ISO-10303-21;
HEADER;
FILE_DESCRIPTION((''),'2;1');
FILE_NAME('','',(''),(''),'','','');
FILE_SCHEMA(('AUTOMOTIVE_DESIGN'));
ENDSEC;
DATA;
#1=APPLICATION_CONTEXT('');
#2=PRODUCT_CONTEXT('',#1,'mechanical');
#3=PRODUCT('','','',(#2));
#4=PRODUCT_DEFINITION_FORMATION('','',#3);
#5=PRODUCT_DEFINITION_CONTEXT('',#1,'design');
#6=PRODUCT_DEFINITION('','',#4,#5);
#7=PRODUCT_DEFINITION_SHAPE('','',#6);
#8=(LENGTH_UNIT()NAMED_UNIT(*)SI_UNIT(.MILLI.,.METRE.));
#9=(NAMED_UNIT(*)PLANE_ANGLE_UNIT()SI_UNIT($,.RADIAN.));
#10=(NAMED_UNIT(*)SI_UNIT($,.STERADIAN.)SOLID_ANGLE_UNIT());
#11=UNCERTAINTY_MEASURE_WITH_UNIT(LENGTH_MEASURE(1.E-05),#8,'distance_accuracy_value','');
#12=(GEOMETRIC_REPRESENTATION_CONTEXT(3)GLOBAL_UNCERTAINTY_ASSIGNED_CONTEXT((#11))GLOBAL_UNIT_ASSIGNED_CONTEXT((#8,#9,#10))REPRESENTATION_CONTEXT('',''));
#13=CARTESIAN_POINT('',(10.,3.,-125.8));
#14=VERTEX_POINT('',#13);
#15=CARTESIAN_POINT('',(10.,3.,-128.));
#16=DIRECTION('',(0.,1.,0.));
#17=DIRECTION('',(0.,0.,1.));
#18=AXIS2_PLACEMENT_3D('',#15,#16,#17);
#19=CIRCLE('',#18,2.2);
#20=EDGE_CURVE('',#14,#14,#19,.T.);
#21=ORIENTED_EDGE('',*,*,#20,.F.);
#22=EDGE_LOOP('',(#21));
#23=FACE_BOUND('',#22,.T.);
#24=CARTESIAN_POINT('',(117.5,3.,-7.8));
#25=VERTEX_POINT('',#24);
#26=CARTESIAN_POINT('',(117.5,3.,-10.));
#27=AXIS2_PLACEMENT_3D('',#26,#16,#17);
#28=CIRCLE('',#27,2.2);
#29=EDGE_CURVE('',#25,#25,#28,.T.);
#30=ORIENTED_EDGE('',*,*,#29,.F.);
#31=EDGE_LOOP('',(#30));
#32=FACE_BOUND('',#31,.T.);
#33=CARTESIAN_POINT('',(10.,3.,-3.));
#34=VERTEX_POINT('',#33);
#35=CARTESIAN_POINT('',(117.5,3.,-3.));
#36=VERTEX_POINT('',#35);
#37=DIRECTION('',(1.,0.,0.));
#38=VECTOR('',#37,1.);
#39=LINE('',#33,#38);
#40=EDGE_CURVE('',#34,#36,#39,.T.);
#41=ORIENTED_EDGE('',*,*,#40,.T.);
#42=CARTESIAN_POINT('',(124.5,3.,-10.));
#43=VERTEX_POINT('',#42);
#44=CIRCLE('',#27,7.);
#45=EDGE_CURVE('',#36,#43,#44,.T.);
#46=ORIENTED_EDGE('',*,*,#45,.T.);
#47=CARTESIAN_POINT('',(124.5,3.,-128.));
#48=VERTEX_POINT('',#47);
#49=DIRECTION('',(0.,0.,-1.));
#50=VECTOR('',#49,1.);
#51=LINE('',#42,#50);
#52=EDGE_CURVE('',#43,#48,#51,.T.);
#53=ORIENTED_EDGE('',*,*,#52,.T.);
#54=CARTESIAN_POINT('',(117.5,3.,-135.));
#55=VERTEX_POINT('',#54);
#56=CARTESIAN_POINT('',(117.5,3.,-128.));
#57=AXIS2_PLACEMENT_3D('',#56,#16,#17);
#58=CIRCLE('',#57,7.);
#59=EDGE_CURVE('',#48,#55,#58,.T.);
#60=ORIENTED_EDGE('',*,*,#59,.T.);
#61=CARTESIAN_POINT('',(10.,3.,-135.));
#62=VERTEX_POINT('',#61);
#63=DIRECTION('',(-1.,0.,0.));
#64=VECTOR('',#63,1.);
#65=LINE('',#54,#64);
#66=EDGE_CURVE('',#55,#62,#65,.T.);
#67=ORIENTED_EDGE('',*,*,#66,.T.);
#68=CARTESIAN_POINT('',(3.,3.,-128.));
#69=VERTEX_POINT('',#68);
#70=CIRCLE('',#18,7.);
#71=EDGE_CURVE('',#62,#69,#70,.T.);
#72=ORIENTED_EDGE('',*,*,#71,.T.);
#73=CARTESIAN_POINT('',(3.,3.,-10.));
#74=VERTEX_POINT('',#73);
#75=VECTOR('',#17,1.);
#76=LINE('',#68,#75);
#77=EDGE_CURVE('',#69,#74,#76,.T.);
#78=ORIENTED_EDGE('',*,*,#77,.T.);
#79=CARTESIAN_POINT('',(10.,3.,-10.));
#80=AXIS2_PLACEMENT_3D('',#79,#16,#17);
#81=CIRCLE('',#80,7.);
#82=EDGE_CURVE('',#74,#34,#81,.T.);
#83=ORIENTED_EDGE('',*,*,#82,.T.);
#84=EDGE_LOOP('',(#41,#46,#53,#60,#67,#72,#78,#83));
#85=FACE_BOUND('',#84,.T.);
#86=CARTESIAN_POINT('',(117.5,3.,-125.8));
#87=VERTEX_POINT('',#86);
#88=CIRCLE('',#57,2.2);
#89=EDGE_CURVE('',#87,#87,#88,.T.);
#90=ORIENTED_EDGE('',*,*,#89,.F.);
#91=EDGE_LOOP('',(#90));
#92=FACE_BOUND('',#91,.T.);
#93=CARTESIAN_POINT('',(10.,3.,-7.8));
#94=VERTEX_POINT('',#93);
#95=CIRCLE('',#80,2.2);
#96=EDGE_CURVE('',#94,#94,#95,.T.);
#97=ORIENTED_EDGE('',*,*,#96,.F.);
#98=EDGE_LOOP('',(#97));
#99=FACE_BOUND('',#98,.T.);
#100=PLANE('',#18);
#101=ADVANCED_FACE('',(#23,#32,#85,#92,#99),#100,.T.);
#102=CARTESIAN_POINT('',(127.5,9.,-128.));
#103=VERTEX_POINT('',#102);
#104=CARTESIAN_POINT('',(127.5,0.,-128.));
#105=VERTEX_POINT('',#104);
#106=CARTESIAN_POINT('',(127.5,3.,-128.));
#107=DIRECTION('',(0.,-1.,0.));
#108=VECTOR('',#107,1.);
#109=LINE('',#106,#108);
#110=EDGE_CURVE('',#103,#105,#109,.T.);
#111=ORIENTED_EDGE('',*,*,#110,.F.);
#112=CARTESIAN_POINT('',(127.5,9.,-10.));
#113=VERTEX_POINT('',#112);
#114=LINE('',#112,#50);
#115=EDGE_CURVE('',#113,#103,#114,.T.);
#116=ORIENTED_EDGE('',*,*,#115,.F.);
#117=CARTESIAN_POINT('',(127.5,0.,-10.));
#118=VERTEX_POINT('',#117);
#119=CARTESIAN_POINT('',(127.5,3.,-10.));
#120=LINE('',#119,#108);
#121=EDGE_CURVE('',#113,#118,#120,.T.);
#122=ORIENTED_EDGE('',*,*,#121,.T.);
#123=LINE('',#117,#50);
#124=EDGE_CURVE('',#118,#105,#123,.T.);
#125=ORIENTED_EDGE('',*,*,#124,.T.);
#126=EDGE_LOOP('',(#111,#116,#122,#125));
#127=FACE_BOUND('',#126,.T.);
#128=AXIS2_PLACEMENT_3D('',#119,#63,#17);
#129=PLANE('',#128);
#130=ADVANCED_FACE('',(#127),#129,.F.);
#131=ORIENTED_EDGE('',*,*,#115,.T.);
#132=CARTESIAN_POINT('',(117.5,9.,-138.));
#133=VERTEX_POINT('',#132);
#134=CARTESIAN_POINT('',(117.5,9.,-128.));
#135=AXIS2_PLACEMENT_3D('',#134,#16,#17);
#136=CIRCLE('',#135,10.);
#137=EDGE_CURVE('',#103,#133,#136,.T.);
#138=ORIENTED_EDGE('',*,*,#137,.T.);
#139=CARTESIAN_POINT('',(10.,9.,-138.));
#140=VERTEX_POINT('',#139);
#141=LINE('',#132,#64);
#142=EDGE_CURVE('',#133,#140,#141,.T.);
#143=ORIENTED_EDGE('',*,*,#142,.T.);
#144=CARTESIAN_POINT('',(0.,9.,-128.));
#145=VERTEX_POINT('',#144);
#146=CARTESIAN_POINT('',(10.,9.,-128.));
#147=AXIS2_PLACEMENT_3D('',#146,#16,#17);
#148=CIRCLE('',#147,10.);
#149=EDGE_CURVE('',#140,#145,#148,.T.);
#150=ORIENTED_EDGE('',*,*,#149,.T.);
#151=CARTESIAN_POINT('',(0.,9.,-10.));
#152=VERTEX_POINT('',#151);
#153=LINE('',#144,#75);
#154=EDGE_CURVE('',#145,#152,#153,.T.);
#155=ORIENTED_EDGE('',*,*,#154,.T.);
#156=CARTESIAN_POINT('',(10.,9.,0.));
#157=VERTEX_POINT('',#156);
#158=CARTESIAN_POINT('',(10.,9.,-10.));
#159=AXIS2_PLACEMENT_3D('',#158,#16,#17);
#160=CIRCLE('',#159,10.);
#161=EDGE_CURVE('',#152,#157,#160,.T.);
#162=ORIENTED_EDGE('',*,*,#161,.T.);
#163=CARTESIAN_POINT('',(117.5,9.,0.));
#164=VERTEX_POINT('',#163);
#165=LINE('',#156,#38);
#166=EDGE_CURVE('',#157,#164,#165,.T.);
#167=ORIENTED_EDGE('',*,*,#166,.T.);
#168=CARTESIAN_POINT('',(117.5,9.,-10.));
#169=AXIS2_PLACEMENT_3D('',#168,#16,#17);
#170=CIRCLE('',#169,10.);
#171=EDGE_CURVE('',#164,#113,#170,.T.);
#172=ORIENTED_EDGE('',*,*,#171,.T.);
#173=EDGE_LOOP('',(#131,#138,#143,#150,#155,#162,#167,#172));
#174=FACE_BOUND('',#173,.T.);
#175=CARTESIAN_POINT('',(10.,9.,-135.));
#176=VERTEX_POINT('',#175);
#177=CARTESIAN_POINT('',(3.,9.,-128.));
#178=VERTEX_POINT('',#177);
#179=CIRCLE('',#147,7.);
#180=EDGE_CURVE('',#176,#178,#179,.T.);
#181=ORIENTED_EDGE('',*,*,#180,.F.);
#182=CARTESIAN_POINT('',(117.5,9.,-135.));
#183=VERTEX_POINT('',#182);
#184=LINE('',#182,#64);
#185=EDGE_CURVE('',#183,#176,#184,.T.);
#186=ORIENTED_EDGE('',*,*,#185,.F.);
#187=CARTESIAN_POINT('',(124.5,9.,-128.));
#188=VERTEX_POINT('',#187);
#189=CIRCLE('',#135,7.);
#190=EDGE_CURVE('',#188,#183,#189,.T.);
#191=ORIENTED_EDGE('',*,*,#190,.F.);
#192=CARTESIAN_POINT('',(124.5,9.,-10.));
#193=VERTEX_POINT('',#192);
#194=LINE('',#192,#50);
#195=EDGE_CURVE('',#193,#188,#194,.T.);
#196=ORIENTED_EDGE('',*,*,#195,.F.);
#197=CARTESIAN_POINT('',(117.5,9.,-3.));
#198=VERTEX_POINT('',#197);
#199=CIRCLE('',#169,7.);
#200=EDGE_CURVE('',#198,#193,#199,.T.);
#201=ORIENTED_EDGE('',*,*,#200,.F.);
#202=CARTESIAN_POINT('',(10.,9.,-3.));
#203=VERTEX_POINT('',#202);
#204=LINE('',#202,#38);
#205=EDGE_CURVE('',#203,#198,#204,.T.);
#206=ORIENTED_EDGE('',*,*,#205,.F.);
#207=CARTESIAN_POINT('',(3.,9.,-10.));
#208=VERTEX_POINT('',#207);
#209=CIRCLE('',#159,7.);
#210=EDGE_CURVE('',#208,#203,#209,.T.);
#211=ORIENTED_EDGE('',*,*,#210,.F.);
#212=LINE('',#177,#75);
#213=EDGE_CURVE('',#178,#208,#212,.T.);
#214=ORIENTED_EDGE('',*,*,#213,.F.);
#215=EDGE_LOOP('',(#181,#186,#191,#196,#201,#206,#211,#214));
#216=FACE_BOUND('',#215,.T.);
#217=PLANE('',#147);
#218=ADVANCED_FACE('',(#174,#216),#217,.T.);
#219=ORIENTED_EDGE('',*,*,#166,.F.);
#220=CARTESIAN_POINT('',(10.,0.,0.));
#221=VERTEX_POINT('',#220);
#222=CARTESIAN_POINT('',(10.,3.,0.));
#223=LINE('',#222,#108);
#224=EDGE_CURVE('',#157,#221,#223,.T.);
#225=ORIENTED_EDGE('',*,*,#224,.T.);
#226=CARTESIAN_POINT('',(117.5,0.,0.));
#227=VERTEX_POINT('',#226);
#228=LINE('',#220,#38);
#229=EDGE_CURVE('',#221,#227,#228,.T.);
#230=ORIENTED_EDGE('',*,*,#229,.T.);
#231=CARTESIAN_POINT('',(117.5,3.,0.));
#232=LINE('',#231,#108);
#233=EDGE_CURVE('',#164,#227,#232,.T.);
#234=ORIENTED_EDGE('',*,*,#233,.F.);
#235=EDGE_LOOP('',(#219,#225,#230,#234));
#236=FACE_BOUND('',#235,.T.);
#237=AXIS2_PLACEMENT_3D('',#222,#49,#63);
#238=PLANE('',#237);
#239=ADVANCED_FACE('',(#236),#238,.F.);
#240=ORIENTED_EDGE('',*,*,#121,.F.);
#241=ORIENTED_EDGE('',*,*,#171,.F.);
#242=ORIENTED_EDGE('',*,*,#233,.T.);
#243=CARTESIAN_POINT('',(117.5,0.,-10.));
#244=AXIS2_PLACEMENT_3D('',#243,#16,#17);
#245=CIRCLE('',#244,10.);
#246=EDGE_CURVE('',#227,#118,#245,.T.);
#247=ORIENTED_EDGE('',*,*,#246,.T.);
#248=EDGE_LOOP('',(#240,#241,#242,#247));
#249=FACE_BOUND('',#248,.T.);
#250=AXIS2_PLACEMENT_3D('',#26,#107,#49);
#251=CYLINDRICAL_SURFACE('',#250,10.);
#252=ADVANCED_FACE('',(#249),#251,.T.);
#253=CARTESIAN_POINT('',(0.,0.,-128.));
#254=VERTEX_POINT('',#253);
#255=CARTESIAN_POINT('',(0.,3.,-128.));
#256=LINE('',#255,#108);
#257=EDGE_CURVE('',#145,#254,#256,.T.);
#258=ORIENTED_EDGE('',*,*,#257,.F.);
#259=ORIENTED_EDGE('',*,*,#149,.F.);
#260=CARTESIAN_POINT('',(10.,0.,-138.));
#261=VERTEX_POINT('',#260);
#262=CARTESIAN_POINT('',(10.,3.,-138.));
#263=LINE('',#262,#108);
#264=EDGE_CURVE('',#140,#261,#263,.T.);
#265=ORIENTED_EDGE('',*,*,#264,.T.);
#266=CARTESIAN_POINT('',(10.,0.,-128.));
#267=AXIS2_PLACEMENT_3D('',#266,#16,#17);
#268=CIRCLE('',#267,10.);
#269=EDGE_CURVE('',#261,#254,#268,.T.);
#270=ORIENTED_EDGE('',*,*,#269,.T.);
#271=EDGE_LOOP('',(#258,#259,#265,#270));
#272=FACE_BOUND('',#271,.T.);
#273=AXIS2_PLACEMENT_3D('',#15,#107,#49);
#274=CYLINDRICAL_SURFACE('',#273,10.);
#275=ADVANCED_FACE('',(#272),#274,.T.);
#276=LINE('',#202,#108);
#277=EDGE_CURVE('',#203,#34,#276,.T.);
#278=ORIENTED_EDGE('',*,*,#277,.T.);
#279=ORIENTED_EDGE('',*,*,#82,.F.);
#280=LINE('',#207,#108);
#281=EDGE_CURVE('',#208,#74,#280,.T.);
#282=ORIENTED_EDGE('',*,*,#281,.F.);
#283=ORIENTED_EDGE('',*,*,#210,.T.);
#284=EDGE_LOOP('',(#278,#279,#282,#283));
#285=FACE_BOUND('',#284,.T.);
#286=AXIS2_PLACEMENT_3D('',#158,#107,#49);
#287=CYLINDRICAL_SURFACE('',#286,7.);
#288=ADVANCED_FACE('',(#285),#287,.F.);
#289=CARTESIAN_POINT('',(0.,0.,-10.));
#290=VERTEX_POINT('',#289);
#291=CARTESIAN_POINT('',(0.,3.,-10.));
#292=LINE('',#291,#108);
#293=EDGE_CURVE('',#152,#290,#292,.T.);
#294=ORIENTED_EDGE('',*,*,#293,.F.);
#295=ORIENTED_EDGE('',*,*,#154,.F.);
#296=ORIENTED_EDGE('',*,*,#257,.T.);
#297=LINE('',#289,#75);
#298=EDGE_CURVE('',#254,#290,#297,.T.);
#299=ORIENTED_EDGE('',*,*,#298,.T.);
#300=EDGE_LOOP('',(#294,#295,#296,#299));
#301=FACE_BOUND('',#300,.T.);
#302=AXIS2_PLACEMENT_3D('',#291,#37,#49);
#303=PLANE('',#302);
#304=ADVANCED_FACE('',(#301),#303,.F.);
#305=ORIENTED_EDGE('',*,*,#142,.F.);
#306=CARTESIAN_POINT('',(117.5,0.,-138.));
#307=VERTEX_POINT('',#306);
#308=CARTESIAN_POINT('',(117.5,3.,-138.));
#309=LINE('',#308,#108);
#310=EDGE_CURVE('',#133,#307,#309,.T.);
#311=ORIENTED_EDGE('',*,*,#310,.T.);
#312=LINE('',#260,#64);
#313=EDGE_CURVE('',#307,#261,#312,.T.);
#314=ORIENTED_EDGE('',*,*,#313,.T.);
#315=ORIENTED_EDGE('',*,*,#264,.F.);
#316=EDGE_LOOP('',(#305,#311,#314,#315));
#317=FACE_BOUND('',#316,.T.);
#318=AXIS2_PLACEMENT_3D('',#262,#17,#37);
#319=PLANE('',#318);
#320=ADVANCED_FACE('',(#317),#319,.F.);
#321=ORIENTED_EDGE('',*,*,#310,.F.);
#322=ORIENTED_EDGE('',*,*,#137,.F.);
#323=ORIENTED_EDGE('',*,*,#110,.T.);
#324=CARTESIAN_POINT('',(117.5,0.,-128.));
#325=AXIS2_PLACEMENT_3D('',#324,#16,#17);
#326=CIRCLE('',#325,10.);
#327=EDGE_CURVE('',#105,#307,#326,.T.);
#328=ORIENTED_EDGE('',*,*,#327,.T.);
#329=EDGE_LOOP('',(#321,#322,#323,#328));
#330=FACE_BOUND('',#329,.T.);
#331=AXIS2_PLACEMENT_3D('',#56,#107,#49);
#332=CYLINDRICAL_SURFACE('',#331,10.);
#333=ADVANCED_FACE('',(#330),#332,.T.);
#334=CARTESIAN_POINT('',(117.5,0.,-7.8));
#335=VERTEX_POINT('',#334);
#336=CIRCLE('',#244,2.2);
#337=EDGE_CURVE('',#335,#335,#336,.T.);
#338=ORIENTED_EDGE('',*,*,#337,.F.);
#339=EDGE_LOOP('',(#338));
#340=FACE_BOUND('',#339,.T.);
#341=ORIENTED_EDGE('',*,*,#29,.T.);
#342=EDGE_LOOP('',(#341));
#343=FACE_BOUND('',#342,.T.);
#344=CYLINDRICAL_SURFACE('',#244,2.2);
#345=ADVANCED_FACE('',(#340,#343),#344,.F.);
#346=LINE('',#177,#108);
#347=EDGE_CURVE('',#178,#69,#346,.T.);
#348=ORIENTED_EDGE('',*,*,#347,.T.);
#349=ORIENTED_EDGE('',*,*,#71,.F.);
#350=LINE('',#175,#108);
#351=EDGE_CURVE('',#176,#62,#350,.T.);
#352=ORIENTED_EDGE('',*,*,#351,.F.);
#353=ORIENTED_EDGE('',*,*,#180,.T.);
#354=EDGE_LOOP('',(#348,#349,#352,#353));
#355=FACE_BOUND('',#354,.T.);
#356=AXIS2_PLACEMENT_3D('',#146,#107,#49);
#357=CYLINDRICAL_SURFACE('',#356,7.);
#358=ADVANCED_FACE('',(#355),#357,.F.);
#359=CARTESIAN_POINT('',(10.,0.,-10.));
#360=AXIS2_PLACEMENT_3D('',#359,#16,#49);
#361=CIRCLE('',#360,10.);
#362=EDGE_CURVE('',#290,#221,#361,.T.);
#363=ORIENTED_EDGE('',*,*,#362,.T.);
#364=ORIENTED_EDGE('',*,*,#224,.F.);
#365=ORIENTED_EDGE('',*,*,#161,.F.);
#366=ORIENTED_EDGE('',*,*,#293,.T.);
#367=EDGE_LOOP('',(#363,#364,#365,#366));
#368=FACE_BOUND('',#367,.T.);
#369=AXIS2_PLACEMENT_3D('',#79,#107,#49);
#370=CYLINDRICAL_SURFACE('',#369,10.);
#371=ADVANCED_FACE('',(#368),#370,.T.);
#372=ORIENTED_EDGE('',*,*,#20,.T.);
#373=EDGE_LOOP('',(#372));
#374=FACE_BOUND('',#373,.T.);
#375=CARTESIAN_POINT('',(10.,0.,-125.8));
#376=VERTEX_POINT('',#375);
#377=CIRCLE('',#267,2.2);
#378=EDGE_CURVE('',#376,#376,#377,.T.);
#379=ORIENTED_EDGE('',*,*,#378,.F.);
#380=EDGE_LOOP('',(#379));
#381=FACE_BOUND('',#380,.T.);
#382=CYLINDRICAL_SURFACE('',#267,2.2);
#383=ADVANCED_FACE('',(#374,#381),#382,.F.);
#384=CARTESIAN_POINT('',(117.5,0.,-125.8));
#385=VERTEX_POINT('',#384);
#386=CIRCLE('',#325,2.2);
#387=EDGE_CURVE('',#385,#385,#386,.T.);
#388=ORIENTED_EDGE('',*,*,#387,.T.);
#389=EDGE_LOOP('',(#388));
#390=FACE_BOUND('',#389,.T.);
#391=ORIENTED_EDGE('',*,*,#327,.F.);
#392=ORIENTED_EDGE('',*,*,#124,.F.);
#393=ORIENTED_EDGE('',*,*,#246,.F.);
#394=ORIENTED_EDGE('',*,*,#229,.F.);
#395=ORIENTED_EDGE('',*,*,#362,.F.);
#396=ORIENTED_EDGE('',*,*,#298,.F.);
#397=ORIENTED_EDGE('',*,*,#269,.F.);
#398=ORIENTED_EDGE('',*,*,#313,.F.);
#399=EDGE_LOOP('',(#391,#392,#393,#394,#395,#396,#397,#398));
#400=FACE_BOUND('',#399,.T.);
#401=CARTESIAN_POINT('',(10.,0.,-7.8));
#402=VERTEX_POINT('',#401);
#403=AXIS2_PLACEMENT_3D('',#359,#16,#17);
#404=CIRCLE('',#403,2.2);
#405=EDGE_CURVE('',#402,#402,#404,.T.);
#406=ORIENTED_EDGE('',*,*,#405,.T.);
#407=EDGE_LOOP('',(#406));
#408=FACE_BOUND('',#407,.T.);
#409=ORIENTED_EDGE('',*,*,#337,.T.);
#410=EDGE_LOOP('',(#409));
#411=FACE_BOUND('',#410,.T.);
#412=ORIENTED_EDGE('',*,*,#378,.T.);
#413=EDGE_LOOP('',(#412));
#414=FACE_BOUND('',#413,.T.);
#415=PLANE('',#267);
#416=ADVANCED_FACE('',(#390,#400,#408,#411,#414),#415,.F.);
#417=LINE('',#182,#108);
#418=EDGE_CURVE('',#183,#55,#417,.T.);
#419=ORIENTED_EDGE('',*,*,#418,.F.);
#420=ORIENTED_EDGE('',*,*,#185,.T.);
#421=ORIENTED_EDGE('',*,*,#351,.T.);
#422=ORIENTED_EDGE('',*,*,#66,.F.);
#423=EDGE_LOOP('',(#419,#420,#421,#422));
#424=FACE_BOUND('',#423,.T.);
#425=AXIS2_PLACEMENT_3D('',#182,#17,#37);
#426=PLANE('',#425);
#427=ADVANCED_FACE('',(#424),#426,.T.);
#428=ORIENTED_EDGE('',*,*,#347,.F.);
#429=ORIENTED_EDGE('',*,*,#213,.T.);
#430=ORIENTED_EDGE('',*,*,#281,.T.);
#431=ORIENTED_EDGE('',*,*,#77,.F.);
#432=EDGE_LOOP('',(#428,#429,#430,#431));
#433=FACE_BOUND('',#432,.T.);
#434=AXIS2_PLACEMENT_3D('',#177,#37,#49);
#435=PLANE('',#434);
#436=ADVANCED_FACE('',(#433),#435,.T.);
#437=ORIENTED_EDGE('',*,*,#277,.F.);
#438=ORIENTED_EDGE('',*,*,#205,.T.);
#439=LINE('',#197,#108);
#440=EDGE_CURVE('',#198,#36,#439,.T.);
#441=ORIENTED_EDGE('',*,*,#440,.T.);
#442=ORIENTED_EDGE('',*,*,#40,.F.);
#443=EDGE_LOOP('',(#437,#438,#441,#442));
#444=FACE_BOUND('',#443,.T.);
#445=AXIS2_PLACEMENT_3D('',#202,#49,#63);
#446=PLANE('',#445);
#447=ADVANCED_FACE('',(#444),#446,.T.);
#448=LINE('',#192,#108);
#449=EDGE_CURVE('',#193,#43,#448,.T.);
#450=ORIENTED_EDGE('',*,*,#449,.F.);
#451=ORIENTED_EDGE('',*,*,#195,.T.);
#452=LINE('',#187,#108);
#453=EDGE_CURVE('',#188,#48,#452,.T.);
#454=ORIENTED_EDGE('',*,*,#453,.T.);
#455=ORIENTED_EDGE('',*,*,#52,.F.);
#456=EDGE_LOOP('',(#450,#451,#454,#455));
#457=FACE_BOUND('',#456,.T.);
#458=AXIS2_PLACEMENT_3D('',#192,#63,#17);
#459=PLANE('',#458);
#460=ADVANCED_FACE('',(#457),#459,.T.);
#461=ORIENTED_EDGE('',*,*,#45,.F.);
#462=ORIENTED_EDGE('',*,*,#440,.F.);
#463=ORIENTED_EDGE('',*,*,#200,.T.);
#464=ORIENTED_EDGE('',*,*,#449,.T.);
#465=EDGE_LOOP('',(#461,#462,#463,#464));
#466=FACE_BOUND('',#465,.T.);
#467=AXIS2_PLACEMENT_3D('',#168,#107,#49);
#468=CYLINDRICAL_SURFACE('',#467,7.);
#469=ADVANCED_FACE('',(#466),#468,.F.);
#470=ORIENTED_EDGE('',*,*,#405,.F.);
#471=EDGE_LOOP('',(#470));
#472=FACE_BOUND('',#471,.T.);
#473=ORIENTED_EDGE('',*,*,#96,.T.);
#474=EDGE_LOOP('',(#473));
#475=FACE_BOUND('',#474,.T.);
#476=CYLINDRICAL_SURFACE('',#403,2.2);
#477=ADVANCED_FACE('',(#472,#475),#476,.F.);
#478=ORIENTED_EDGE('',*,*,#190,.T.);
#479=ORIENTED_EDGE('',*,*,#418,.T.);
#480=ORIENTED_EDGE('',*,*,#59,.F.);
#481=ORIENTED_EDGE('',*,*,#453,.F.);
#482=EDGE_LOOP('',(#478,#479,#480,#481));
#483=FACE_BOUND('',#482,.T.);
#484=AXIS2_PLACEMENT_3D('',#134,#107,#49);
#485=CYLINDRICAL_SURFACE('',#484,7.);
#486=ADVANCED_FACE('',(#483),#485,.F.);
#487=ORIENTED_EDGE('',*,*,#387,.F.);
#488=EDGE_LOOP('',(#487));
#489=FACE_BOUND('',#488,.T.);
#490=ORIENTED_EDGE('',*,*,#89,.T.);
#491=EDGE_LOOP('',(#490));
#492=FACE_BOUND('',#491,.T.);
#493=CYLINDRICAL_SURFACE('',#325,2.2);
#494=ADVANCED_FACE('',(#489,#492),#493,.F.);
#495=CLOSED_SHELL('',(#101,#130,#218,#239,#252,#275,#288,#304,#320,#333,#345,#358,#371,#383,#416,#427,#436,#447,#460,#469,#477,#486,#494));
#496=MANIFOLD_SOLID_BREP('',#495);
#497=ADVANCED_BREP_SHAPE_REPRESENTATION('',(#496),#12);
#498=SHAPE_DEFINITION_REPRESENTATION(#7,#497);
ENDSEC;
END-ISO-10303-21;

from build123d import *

# Parameters (mm, degrees)
EXTRUDE_1_DEPTH     = 3
EXTRUDE_2_DEPTH     = 6
SKETCH_3_R          = 2.2
CUT_EXTRUDE_1_DEPTH = 188.979387168


with BuildPart() as part:
    # 草图1 → 凸台-拉伸1 (new body)
    with BuildSketch(Plane(origin=(0, 0, 0), x_dir=(1, 0, 0), z_dir=(0, 1, 0))):
        with BuildLine():
            Line((10, 0), (117.5, 0))
            ThreePointArc((117.5, 0), (124.571067812, 2.928932188), (127.5, 10))
            Line((127.5, 10), (127.5, 128))
            ThreePointArc((127.5, 128), (124.571067812, 135.071067812), (117.5, 138))
            Line((117.5, 138), (10, 138))
            ThreePointArc((10, 138), (2.928932188, 135.071067812), (0, 128))
            Line((0, 128), (0, 10))
            ThreePointArc((0, 10), (2.928932188, 2.928932188), (10, 0))
        make_face()
    extrude(amount=EXTRUDE_1_DEPTH)

    # 草图2 → 凸台-拉伸2 (add)
    with BuildSketch(Plane(origin=(0, 3, 0), x_dir=(1, 0, 0), z_dir=(0, 1, 0))):
        with BuildLine():
            Line((0, 128), (0, 10))
            ThreePointArc((0, 10), (2.928932188, 2.928932188), (10, 0))
            Line((10, 0), (117.5, 0))
            ThreePointArc((117.5, 0), (124.571067812, 2.928932188), (127.5, 10))
            Line((127.5, 10), (127.5, 128))
            ThreePointArc((127.5, 128), (124.571067812, 135.071067812), (117.5, 138))
            Line((117.5, 138), (10, 138))
            ThreePointArc((10, 138), (2.928932188, 135.071067812), (0, 128))
        make_face()
        with BuildLine():
            Line((117.5, 135), (10, 135))
            ThreePointArc((10, 135), (5.050252532, 132.949747468), (3, 128))
            Line((3, 128), (3, 10))
            ThreePointArc((3, 10), (5.050252532, 5.050252532), (10, 3))
            Line((10, 3), (117.5, 3))
            ThreePointArc((117.5, 3), (122.449747468, 5.050252532), (124.5, 10))
            Line((124.5, 10), (124.5, 128))
            ThreePointArc((124.5, 128), (122.449747468, 132.949747468), (117.5, 135))
        make_face(mode=Mode.SUBTRACT)
    extrude(amount=EXTRUDE_2_DEPTH)

    # 草图3 → 切除-拉伸1 (cut, through all)
    with BuildSketch(Plane(origin=(0, 3, 0), x_dir=(1, 0, 0), z_dir=(0, 1, 0))):
        with Locations(Location((10, 128, 0), (0, 0, 270))):
            Circle(SKETCH_3_R)
        with Locations(Location((117.5, 128, 0), (0, 0, 270))):
            Circle(SKETCH_3_R)
        with Locations(Location((10, 10, 0), (0, 0, 270))):
            Circle(SKETCH_3_R)
        with Locations(Location((117.5, 10, 0), (0, 0, 270))):
            Circle(SKETCH_3_R)
    extrude(amount=-CUT_EXTRUDE_1_DEPTH, mode=Mode.SUBTRACT)


solid = part.part
